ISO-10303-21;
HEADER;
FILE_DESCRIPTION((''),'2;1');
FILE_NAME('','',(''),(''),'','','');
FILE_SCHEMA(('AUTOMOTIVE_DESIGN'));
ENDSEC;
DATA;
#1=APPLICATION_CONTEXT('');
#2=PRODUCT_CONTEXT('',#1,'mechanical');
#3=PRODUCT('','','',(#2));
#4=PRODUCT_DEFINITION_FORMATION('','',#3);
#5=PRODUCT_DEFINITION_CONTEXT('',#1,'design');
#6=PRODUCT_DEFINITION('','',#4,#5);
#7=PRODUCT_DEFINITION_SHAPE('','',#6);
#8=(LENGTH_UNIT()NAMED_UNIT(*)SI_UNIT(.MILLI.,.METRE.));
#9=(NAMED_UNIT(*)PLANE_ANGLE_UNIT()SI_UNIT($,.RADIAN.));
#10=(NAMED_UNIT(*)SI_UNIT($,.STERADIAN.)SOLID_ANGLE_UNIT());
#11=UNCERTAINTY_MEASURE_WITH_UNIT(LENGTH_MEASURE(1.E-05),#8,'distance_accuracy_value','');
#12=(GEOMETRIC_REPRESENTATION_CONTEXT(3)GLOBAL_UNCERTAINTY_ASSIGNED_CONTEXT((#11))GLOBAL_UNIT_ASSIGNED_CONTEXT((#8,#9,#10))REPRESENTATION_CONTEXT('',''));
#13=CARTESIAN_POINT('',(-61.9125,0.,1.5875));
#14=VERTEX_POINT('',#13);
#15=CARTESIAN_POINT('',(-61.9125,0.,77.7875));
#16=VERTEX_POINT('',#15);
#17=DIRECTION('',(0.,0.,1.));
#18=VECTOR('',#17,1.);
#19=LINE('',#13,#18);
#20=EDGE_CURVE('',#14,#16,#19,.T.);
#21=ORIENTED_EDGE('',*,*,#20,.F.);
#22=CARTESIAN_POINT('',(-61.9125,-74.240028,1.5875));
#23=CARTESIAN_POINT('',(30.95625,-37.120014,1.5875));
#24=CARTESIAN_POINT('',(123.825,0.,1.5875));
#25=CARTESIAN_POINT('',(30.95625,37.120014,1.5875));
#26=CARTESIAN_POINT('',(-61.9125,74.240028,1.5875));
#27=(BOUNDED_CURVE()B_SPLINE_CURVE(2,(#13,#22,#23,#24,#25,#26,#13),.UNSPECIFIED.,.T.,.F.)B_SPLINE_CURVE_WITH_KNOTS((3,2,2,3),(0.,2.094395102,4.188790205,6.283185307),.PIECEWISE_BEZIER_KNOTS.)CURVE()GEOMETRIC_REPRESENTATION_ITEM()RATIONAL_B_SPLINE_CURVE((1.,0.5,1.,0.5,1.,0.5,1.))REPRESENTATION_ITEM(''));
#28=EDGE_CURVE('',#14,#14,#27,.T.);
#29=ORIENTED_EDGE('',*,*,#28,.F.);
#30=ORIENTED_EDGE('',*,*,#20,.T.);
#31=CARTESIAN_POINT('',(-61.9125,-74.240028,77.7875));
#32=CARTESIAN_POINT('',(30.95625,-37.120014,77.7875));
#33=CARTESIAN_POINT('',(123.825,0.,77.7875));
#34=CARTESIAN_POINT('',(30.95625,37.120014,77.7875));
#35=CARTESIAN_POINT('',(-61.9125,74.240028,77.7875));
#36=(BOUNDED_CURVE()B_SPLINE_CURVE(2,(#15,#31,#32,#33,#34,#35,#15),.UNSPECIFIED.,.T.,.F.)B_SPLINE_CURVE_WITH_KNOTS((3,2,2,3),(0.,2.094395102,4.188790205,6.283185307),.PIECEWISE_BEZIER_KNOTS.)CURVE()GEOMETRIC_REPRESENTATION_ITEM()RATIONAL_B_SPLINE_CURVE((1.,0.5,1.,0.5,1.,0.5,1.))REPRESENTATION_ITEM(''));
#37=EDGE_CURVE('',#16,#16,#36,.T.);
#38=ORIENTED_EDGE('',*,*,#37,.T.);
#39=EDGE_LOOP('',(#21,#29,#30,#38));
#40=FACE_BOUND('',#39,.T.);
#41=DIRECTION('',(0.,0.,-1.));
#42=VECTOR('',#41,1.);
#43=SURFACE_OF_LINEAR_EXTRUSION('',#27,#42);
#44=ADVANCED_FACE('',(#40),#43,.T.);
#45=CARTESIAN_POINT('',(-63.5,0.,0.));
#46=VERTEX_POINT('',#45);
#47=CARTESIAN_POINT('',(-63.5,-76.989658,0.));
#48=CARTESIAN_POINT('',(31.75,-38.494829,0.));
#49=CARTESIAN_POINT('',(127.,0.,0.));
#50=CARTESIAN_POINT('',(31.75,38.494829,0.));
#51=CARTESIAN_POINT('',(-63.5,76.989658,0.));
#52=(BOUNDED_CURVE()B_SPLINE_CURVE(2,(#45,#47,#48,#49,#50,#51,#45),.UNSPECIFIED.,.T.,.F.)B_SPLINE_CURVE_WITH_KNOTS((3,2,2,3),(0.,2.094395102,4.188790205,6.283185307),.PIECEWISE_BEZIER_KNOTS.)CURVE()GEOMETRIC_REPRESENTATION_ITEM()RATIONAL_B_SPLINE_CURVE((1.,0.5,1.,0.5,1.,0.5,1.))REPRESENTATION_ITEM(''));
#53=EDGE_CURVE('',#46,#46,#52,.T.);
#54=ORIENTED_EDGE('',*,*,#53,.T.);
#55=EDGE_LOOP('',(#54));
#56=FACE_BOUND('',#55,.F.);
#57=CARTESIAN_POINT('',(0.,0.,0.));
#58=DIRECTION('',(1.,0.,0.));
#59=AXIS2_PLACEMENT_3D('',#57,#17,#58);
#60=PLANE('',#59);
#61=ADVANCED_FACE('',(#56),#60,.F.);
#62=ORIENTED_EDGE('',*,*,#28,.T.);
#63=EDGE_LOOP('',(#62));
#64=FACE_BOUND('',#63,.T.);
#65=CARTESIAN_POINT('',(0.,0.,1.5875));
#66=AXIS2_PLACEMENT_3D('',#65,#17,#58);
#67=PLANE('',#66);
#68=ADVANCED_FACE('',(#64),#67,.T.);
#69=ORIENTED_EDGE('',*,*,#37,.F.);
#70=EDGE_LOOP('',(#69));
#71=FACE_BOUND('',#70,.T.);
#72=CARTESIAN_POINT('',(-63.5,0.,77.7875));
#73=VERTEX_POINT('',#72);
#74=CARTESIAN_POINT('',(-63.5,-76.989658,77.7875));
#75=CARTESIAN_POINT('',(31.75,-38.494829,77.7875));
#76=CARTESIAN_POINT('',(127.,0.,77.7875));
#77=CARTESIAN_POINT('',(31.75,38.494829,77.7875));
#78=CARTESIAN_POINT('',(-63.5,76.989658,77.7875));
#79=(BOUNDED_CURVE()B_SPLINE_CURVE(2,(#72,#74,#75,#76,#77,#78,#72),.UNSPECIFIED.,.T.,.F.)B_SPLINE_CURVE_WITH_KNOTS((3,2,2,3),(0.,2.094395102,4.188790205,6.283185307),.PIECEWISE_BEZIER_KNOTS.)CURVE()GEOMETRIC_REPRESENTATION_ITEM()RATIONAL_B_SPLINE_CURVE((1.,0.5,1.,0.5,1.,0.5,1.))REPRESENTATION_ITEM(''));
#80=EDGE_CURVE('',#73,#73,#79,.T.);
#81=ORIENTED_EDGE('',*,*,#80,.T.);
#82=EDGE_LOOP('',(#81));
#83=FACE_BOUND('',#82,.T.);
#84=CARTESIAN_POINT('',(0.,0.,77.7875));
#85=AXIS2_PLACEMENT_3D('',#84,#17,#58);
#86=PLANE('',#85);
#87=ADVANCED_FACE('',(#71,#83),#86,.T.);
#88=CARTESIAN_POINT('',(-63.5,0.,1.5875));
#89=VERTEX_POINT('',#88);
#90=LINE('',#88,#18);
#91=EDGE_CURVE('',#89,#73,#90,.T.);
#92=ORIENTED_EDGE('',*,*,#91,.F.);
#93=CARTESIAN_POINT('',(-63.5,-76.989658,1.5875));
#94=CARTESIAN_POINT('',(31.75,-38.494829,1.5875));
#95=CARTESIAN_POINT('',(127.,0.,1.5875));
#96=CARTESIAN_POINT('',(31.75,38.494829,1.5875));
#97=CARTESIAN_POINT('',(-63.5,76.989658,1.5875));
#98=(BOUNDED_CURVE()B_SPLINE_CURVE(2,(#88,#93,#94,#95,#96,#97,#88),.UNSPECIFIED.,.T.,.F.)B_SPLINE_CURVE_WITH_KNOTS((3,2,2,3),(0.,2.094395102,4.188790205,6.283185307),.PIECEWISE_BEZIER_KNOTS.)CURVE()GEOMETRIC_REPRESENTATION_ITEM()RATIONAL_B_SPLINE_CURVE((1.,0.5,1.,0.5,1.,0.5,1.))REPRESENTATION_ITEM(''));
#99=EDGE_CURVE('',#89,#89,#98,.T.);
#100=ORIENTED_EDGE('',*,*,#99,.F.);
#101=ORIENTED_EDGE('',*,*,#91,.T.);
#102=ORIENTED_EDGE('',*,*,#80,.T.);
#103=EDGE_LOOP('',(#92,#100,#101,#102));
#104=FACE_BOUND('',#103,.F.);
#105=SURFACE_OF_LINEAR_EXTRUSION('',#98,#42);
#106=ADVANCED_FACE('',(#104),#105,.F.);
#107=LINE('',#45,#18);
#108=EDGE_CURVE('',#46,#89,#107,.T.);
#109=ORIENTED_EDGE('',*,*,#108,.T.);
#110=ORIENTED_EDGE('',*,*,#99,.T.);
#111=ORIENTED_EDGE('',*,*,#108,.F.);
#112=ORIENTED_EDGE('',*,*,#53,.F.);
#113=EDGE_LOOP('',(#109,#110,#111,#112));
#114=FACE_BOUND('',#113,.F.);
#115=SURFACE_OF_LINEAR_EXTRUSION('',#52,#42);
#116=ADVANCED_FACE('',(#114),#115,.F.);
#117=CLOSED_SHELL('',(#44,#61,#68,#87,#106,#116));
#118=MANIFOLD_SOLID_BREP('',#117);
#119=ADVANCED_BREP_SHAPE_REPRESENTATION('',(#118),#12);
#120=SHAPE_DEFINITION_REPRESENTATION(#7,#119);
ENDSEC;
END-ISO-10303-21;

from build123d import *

# Parameters (mm, degrees)
F1_DEPTH = 1.5875
F3_DEPTH = 76.2


with BuildPart() as f1:
    # F0 (on Top) → F1 (new body)
    with BuildSketch(Plane.XY):
        with BuildLine():
            add(Edge.make_bspline(
                [(-63.5, 0), (-63.5, -76.9896583964), (31.75, -38.4948291982), (127, 0), (31.75, 38.4948291982), (-63.5, 76.9896583964), (-63.5, 0)],
                knots=[0, 0, 0, 2.0943951024, 2.0943951024, 4.1887902048, 4.1887902048, 6.2831853072, 6.2831853072, 6.2831853072], degree=2, weights=[1, 0.5, 1, 0.5, 1, 0.5, 1]))
        make_face()
    extrude(amount=F1_DEPTH)

    # F2 (on face) → F3 (join)
    with BuildSketch(Plane.XY.offset(1.5875)):
        with BuildLine():
            add(Edge.make_bspline(
                [(-63.5, 0), (-63.5, -76.9896583964), (31.75, -38.4948291982), (127, 0), (31.75, 38.4948291982), (-63.5, 76.9896583964), (-63.5, 0)],
                knots=[0, 0, 0, 2.0943951024, 2.0943951024, 4.1887902048, 4.1887902048, 6.2831853072, 6.2831853072, 6.2831853072], degree=2, weights=[1, 0.5, 1, 0.5, 1, 0.5, 1]))
        make_face()
        with BuildLine():
            add(Edge.make_bspline(
                [(-61.9125, 0), (-61.9125, -74.2400277394), (30.95625, -37.1200138697), (123.825, 0), (30.95625, 37.1200138697), (-61.9125, 74.2400277394), (-61.9125, 0)],
                knots=[0, 0, 0, 2.0943951024, 2.0943951024, 4.1887902048, 4.1887902048, 6.2831853072, 6.2831853072, 6.2831853072], degree=2, weights=[1, 0.5, 1, 0.5, 1, 0.5, 1]))
        make_face(mode=Mode.SUBTRACT)
    extrude(amount=F3_DEPTH)


solid = f1.part
